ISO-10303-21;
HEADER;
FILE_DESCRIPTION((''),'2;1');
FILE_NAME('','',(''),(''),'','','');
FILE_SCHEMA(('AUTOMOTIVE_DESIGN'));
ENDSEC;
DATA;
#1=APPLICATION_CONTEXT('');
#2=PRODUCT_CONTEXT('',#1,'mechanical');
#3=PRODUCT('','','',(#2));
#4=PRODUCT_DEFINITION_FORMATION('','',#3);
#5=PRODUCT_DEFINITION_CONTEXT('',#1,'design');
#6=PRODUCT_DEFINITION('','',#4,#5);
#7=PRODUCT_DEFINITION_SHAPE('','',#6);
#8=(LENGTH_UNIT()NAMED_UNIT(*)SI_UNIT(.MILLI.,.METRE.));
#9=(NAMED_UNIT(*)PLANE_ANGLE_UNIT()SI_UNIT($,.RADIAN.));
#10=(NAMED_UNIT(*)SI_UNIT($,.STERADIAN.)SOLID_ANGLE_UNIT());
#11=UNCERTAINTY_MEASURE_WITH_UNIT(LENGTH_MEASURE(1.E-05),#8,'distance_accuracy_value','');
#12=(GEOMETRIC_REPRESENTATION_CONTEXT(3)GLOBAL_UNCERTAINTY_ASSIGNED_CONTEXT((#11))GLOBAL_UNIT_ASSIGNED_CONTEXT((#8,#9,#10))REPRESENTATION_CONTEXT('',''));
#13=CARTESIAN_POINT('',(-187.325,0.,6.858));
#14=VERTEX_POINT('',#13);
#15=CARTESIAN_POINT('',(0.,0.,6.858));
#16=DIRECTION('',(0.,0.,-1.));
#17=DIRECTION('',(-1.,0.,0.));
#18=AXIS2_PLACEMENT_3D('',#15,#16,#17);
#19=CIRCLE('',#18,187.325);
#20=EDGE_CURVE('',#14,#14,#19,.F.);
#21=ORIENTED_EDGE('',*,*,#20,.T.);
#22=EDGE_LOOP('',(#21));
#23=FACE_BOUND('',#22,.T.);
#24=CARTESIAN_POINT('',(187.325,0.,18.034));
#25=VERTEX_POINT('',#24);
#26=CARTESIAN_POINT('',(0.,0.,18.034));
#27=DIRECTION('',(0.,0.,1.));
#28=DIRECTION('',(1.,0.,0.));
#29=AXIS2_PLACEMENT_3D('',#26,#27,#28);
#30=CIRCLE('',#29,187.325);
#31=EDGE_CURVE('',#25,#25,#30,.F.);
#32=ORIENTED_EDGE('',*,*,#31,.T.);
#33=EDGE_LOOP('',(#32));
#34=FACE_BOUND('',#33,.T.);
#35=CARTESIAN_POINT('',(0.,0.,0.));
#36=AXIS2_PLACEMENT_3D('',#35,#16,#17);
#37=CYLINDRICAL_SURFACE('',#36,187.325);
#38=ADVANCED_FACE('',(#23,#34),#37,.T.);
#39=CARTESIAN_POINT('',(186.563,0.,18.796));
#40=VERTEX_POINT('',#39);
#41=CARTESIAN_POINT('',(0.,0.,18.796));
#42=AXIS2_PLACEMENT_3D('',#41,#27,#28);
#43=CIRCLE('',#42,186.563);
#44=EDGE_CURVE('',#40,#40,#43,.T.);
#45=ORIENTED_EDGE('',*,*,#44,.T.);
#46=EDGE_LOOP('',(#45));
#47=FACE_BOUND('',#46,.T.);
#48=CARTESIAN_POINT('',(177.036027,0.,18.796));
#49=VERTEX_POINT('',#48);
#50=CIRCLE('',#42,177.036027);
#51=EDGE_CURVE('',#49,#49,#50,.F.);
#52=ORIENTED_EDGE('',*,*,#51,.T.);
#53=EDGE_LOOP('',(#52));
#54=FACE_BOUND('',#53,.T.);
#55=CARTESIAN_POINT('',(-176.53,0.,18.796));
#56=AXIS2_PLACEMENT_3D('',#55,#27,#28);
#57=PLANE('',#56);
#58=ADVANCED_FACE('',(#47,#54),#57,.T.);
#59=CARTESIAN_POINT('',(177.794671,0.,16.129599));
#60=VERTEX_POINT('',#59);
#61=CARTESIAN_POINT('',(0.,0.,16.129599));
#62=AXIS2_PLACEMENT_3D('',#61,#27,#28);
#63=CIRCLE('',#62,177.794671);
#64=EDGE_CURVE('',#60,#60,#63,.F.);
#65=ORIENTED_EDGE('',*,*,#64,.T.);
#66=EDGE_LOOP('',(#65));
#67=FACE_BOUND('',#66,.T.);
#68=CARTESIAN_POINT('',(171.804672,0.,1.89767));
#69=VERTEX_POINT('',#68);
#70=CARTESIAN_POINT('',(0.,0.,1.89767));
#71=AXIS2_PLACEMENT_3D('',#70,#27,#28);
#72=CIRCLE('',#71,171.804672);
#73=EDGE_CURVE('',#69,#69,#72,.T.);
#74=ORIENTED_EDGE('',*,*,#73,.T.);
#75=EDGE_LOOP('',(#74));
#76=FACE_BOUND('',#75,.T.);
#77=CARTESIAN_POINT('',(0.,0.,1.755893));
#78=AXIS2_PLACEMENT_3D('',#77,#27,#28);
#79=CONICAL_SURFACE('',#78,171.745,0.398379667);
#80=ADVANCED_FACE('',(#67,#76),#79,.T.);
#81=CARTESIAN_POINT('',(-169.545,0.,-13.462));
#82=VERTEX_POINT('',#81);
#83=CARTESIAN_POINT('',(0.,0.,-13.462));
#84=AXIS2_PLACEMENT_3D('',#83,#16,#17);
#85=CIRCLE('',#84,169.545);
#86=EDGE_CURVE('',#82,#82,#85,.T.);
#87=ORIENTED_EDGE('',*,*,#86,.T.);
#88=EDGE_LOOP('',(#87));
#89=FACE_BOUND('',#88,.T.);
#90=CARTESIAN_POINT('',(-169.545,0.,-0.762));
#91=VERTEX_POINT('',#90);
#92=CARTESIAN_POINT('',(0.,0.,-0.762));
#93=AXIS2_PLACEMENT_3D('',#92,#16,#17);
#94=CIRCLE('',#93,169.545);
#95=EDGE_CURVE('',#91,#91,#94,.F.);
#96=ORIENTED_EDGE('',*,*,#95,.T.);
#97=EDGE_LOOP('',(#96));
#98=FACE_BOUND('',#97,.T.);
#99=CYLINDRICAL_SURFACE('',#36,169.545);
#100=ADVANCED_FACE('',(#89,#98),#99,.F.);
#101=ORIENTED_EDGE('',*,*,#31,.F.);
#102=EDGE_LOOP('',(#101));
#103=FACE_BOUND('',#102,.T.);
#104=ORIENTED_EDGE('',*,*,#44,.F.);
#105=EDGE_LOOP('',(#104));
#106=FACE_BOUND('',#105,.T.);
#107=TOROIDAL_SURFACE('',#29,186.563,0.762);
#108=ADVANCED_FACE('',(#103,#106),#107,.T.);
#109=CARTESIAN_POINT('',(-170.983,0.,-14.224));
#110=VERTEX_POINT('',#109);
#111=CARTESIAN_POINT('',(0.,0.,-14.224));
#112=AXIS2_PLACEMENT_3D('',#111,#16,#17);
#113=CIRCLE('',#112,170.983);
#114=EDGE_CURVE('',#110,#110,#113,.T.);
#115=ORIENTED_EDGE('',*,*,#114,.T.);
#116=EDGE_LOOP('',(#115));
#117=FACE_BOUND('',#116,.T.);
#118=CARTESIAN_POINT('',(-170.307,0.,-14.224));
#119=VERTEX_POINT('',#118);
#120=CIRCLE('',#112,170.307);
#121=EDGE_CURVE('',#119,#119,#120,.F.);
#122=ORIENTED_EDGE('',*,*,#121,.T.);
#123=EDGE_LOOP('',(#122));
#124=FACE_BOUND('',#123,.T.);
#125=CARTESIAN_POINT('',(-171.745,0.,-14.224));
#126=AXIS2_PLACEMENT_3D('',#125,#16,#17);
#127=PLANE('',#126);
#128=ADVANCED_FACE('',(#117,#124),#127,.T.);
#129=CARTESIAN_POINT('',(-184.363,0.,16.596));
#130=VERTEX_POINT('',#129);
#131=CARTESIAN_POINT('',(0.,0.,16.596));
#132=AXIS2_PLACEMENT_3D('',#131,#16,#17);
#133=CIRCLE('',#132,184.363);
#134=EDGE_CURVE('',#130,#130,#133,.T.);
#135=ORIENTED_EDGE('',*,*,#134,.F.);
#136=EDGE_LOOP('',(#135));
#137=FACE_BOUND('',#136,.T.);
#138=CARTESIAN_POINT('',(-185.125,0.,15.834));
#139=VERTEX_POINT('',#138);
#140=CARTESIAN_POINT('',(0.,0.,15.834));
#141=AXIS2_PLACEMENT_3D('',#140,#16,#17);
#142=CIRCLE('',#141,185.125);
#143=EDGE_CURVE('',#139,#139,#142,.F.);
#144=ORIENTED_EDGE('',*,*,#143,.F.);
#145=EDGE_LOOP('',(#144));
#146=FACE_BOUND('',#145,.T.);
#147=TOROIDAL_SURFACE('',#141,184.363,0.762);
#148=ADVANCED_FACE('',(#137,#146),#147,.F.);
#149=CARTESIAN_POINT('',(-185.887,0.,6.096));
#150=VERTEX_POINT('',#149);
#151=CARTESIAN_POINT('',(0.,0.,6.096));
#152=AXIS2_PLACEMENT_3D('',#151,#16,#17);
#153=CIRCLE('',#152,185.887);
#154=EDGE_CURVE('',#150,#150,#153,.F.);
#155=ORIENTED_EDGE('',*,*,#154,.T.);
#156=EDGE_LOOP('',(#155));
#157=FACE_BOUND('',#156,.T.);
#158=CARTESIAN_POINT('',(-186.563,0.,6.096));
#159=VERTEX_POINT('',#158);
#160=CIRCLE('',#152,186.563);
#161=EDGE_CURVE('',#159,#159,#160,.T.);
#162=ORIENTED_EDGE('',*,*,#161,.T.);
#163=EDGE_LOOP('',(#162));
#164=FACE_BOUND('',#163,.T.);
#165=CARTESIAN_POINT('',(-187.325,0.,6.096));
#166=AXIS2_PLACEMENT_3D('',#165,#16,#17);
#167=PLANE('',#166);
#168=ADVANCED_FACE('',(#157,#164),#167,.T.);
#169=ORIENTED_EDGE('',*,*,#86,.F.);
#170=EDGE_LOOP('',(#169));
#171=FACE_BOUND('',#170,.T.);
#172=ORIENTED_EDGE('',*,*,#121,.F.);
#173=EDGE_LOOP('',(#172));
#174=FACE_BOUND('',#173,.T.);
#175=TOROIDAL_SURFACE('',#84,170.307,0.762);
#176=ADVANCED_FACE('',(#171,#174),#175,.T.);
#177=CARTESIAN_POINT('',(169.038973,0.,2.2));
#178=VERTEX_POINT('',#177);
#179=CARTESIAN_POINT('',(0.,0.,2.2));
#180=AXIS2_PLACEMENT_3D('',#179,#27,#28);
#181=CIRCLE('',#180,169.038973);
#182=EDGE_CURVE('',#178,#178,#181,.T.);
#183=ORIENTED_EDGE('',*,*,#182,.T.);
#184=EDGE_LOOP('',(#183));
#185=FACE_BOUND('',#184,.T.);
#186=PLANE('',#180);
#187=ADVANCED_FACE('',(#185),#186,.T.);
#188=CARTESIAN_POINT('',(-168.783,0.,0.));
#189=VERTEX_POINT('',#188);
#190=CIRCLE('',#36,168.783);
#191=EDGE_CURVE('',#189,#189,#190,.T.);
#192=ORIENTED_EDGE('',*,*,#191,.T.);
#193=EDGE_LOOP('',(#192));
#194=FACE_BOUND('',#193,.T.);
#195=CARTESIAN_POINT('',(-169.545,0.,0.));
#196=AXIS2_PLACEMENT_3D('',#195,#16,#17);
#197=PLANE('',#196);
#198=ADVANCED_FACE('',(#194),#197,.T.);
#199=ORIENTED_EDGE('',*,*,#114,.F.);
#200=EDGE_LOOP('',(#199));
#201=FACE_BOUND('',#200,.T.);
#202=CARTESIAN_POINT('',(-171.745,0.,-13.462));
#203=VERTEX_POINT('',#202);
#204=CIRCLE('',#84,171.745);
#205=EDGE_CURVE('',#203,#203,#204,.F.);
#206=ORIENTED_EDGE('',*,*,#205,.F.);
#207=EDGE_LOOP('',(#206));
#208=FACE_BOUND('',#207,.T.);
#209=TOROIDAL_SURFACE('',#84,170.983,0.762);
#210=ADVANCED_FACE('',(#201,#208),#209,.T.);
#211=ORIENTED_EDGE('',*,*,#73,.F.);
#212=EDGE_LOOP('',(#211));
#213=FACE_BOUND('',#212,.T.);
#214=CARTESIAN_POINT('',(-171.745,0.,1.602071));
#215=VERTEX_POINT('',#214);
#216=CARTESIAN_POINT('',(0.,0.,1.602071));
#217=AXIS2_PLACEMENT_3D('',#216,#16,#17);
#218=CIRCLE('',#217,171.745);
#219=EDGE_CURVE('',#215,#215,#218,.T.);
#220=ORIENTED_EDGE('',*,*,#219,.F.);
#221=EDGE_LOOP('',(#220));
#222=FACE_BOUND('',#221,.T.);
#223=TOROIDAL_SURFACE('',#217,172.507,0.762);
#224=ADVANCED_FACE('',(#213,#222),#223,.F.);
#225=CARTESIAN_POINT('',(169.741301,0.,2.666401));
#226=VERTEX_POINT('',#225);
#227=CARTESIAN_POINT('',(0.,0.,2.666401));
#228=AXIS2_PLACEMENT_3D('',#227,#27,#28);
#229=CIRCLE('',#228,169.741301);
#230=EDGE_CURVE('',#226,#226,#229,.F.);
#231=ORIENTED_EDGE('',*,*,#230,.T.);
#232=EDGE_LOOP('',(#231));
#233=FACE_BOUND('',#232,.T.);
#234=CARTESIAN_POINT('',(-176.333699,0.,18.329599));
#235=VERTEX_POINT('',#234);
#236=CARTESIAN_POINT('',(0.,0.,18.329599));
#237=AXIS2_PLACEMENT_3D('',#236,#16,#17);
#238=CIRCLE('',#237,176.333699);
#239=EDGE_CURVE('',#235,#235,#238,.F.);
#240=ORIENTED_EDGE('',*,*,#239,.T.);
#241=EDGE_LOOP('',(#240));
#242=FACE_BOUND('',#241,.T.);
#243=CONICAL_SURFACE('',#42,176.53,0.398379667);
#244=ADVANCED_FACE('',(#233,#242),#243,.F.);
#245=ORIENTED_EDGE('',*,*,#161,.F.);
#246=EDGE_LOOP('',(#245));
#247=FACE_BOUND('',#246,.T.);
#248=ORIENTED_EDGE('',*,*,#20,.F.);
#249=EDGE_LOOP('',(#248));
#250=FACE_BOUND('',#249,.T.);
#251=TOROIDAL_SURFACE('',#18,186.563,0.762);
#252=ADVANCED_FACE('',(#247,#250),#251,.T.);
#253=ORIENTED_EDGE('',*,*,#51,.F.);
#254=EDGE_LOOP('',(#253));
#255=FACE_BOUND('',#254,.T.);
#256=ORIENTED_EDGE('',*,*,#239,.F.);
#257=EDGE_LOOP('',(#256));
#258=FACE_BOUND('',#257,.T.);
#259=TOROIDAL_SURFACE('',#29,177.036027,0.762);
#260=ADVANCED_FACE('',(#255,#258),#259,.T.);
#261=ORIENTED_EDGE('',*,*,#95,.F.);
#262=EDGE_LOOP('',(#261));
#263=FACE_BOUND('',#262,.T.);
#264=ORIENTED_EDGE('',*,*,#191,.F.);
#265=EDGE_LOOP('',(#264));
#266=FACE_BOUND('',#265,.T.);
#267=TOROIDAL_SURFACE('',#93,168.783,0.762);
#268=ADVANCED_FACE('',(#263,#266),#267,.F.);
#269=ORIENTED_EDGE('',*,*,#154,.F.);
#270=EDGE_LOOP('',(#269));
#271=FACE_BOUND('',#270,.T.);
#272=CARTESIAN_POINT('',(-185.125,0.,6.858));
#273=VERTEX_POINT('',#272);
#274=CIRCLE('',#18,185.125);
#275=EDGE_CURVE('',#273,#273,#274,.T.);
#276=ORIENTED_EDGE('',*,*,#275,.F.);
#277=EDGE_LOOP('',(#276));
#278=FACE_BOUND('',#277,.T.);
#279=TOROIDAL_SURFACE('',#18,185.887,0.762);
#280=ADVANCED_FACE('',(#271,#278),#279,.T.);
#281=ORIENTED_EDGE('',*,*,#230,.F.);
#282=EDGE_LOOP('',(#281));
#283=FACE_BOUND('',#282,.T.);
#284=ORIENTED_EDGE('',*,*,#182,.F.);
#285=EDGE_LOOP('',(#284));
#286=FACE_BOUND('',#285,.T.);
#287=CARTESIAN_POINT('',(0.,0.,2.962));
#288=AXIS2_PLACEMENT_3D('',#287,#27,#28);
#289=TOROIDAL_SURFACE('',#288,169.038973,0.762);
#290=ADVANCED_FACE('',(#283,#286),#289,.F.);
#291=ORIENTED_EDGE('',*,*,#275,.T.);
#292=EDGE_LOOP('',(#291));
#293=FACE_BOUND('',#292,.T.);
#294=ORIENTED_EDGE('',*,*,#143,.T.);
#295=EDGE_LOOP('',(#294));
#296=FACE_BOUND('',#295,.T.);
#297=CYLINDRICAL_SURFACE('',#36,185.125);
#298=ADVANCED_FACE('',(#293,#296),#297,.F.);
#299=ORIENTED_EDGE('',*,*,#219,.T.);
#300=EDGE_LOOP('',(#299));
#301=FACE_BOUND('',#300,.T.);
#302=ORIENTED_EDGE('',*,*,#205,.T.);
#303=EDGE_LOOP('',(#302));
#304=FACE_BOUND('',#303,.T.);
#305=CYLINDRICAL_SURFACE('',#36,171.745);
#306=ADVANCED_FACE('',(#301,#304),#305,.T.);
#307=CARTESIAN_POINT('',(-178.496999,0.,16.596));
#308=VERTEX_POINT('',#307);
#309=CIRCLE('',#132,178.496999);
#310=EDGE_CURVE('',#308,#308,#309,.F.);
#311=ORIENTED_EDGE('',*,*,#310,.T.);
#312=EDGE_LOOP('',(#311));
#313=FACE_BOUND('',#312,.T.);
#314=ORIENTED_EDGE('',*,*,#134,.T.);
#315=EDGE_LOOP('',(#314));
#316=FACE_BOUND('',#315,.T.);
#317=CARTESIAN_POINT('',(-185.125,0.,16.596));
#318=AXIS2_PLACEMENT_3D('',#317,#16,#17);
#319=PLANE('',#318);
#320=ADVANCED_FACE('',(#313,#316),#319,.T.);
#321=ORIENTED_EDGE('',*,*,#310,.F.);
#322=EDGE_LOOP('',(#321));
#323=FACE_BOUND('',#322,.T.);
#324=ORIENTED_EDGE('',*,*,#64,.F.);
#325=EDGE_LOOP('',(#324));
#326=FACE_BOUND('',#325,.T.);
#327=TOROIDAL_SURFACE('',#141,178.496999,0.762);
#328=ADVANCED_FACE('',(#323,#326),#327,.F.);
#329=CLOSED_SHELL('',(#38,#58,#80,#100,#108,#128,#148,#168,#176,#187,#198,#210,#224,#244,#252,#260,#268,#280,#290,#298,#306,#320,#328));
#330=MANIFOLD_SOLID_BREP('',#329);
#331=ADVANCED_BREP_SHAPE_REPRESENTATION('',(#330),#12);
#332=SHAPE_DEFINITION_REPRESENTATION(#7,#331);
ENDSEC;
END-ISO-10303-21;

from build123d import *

# Parameters (mm, degrees)
FILLET1_R = 0.762


with BuildPart() as part:
    # Sketch1 → Revolve1 (revolve)
    with BuildSketch(Plane(origin=(0, 0, 0), x_dir=(-1, 0, 0), z_dir=(0, 1, 0))):
        Polygon((0, 2.2), (169.545, 2.2), (176.53, 18.796), (187.325, 18.796), (187.325, 6.096), (185.125, 6.096), (185.125, 16.596), (177.99097167, 16.596), (171.745, 1.755893224), (171.745, -14.224), (169.545, -14.224), (169.545, 0), (0, 0), align=None)
    revolve(axis=Axis((0, 0, 0), (0, 0, 1)))

    # Fillet1
    fillet1_edges = [part.edges().sort_by_distance(p)[0] for p in [
        (169.545, 0, 0),
        (169.545, 0, -14.224),
        (171.745, 0, -14.224),
        (171.745, 0, 1.755893224),
        (177.99097167, 0, 16.596),
        (185.125, 0, 16.596),
        (185.125, 0, 6.096),
        (187.325, 0, 6.096),
        (187.325, 0, 18.796),
        (176.53, 0, 18.796),
        (169.545, 0, 2.2),
    ]]
    fillet(fillet1_edges, radius=FILLET1_R)


solid = part.part
